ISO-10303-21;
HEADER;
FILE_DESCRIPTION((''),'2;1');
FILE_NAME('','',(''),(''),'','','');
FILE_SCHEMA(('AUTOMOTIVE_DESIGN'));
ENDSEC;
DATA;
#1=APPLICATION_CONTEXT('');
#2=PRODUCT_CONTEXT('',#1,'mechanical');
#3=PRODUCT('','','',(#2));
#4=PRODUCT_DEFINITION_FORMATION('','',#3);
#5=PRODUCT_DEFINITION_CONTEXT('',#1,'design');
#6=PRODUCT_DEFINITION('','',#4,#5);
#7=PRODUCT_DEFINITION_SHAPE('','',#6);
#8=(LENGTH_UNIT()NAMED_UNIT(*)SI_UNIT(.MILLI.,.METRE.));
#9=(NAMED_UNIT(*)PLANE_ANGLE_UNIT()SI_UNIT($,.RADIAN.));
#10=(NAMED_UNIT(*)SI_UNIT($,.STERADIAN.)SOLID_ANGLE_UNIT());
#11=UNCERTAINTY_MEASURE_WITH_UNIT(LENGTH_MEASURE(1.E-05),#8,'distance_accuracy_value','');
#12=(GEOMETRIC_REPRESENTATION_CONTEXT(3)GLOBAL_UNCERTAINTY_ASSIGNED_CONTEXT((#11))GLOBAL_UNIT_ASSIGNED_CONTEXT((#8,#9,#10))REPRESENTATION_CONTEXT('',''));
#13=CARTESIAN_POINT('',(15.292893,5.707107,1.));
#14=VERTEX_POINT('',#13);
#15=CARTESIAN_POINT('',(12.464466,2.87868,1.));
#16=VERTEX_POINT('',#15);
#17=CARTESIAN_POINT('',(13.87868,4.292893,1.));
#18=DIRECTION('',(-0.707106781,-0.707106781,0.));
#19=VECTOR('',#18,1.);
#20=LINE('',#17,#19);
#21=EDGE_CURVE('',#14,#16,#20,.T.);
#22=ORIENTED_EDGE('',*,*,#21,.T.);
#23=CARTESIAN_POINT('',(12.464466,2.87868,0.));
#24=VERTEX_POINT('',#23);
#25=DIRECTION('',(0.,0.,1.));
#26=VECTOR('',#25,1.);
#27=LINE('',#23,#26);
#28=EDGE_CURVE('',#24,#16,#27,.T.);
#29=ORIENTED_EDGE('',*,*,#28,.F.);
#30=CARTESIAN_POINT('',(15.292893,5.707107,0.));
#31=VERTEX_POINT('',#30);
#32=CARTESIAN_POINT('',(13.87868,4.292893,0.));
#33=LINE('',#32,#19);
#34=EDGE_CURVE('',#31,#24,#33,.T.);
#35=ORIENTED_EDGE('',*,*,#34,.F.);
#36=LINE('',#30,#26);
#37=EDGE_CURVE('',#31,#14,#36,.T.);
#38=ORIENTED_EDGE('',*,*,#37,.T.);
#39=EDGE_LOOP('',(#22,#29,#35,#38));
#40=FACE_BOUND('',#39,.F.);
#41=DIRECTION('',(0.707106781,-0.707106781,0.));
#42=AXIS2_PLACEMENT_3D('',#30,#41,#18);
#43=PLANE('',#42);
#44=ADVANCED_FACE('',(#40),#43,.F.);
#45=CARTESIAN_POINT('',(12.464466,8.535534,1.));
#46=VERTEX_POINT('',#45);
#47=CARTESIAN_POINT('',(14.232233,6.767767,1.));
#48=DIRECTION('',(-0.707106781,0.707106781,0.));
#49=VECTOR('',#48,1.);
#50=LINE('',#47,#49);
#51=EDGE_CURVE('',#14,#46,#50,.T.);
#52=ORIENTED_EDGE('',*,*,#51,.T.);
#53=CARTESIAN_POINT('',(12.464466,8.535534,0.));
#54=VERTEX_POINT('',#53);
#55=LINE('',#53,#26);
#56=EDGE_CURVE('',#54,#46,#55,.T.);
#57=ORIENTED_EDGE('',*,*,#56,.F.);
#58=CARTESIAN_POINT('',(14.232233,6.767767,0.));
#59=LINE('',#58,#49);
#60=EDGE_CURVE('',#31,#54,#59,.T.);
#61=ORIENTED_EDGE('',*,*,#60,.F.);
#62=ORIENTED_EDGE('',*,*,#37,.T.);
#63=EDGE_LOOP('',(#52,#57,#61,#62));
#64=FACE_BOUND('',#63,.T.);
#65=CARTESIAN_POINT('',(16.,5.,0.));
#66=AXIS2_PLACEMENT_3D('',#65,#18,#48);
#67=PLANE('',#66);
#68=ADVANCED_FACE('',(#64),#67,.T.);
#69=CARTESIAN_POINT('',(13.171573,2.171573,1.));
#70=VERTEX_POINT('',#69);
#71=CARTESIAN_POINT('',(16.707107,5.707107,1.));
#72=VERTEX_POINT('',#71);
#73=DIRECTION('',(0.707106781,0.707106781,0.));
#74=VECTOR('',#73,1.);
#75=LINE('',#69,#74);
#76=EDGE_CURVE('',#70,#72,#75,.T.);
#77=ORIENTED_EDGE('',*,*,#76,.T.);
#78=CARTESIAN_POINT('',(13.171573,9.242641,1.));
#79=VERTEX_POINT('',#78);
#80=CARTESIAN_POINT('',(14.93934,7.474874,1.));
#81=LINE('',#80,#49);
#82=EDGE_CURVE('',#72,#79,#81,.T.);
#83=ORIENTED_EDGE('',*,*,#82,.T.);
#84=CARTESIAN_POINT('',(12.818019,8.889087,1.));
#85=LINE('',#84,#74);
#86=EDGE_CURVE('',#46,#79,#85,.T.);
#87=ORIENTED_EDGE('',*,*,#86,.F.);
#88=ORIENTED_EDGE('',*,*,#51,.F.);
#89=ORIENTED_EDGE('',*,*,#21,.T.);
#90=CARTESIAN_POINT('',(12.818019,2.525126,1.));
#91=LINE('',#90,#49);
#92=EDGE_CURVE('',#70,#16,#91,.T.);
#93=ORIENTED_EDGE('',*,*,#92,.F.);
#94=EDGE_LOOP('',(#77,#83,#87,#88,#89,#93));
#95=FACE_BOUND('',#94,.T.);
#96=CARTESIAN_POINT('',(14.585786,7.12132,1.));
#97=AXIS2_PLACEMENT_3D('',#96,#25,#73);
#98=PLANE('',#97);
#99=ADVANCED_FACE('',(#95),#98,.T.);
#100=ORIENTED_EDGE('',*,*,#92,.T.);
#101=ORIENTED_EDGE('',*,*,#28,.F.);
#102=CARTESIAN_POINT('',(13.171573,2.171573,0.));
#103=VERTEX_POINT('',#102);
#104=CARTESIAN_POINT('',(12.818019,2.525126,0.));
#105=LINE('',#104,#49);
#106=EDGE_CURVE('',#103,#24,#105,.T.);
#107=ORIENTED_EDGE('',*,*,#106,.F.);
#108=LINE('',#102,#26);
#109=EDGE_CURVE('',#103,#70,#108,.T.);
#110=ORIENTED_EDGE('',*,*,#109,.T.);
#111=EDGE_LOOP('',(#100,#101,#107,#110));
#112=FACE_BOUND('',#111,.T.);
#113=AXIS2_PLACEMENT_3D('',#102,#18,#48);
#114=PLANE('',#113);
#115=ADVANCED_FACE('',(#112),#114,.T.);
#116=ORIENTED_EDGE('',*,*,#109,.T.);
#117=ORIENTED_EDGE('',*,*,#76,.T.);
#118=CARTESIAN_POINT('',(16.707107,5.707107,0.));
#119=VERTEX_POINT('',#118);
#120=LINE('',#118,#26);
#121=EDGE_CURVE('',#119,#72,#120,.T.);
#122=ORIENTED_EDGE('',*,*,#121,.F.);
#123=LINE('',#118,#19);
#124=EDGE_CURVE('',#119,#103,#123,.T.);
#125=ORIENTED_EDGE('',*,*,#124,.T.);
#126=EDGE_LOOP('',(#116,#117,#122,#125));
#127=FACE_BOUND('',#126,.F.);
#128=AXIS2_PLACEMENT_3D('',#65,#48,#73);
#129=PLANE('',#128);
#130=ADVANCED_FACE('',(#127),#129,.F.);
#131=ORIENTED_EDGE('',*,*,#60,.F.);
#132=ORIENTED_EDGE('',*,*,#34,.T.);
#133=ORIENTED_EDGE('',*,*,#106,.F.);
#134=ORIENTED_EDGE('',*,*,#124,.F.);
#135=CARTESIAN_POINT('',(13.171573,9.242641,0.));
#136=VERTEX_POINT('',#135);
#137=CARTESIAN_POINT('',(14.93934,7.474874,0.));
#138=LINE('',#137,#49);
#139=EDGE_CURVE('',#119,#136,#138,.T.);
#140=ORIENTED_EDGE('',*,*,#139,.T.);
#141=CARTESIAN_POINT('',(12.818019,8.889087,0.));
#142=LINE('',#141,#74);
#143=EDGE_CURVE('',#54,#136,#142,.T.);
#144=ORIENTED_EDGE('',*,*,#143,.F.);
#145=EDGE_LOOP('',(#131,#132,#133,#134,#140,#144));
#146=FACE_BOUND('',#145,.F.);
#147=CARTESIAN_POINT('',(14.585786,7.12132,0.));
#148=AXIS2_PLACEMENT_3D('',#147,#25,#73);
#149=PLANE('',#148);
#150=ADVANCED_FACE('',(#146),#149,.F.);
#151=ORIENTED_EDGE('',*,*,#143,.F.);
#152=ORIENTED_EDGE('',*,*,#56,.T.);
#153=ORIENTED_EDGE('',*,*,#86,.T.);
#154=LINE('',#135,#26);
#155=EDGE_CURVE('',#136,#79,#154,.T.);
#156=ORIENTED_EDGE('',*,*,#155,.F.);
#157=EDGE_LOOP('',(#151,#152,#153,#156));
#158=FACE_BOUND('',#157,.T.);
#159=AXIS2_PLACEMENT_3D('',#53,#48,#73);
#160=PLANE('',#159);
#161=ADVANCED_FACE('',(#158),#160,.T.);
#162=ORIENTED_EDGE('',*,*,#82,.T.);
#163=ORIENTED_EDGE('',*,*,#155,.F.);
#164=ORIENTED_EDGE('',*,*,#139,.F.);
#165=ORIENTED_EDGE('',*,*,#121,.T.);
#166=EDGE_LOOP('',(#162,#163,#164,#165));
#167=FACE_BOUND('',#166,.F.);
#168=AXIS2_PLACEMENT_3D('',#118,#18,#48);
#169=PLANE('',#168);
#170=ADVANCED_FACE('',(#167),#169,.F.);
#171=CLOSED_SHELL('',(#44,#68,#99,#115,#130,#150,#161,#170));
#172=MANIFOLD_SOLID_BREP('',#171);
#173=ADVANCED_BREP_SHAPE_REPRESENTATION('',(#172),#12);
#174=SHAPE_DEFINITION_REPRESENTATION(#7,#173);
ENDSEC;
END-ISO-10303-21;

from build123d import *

# Parameters (mm, degrees)
BOX081_W               = 1
BOX081_H               = 5
BOX081_DEPTH           = 1
BOX081_PLACEMENT_ANGLE = 45
BOX084_W               = 1
BOX084_H               = 4
BOX084_DEPTH           = 1
BOX084_PLACEMENT_ANGLE = 135


with BuildPart() as cube081:
    # Box081 → Box081 (new body)
    with BuildSketch(Plane.XY):
        with Locations((0.5, 2.5)):
            Rectangle(BOX081_W, BOX081_H)
    extrude(amount=BOX081_DEPTH)


with BuildPart() as cube081_1:
    # Box081 placement: moved
    add(cube081.part.rotate(Axis((0, 0, 0), (0, 0, 1)), BOX081_PLACEMENT_ANGLE))


with BuildPart() as lilarrow007:
    # Box084 → Box084 (new body)
    with BuildSketch(Plane.XY):
        with Locations((0.5, 2)):
            Rectangle(BOX084_W, BOX084_H)
    extrude(amount=BOX084_DEPTH)


with BuildPart() as lilarrow007_1:
    # Box084 placement: moved
    add(lilarrow007.part.rotate(Axis((0, 0, 0), (0, 0, 1)), BOX084_PLACEMENT_ANGLE))

    # Fusion015: union Cube081
    add(cube081_1.part)


with BuildPart() as lilarrow007_2:
    # Fusion015 placement: moved
    add(lilarrow007_1.part.moved(Location((16, 5, 0))))


solid = lilarrow007_2.part
